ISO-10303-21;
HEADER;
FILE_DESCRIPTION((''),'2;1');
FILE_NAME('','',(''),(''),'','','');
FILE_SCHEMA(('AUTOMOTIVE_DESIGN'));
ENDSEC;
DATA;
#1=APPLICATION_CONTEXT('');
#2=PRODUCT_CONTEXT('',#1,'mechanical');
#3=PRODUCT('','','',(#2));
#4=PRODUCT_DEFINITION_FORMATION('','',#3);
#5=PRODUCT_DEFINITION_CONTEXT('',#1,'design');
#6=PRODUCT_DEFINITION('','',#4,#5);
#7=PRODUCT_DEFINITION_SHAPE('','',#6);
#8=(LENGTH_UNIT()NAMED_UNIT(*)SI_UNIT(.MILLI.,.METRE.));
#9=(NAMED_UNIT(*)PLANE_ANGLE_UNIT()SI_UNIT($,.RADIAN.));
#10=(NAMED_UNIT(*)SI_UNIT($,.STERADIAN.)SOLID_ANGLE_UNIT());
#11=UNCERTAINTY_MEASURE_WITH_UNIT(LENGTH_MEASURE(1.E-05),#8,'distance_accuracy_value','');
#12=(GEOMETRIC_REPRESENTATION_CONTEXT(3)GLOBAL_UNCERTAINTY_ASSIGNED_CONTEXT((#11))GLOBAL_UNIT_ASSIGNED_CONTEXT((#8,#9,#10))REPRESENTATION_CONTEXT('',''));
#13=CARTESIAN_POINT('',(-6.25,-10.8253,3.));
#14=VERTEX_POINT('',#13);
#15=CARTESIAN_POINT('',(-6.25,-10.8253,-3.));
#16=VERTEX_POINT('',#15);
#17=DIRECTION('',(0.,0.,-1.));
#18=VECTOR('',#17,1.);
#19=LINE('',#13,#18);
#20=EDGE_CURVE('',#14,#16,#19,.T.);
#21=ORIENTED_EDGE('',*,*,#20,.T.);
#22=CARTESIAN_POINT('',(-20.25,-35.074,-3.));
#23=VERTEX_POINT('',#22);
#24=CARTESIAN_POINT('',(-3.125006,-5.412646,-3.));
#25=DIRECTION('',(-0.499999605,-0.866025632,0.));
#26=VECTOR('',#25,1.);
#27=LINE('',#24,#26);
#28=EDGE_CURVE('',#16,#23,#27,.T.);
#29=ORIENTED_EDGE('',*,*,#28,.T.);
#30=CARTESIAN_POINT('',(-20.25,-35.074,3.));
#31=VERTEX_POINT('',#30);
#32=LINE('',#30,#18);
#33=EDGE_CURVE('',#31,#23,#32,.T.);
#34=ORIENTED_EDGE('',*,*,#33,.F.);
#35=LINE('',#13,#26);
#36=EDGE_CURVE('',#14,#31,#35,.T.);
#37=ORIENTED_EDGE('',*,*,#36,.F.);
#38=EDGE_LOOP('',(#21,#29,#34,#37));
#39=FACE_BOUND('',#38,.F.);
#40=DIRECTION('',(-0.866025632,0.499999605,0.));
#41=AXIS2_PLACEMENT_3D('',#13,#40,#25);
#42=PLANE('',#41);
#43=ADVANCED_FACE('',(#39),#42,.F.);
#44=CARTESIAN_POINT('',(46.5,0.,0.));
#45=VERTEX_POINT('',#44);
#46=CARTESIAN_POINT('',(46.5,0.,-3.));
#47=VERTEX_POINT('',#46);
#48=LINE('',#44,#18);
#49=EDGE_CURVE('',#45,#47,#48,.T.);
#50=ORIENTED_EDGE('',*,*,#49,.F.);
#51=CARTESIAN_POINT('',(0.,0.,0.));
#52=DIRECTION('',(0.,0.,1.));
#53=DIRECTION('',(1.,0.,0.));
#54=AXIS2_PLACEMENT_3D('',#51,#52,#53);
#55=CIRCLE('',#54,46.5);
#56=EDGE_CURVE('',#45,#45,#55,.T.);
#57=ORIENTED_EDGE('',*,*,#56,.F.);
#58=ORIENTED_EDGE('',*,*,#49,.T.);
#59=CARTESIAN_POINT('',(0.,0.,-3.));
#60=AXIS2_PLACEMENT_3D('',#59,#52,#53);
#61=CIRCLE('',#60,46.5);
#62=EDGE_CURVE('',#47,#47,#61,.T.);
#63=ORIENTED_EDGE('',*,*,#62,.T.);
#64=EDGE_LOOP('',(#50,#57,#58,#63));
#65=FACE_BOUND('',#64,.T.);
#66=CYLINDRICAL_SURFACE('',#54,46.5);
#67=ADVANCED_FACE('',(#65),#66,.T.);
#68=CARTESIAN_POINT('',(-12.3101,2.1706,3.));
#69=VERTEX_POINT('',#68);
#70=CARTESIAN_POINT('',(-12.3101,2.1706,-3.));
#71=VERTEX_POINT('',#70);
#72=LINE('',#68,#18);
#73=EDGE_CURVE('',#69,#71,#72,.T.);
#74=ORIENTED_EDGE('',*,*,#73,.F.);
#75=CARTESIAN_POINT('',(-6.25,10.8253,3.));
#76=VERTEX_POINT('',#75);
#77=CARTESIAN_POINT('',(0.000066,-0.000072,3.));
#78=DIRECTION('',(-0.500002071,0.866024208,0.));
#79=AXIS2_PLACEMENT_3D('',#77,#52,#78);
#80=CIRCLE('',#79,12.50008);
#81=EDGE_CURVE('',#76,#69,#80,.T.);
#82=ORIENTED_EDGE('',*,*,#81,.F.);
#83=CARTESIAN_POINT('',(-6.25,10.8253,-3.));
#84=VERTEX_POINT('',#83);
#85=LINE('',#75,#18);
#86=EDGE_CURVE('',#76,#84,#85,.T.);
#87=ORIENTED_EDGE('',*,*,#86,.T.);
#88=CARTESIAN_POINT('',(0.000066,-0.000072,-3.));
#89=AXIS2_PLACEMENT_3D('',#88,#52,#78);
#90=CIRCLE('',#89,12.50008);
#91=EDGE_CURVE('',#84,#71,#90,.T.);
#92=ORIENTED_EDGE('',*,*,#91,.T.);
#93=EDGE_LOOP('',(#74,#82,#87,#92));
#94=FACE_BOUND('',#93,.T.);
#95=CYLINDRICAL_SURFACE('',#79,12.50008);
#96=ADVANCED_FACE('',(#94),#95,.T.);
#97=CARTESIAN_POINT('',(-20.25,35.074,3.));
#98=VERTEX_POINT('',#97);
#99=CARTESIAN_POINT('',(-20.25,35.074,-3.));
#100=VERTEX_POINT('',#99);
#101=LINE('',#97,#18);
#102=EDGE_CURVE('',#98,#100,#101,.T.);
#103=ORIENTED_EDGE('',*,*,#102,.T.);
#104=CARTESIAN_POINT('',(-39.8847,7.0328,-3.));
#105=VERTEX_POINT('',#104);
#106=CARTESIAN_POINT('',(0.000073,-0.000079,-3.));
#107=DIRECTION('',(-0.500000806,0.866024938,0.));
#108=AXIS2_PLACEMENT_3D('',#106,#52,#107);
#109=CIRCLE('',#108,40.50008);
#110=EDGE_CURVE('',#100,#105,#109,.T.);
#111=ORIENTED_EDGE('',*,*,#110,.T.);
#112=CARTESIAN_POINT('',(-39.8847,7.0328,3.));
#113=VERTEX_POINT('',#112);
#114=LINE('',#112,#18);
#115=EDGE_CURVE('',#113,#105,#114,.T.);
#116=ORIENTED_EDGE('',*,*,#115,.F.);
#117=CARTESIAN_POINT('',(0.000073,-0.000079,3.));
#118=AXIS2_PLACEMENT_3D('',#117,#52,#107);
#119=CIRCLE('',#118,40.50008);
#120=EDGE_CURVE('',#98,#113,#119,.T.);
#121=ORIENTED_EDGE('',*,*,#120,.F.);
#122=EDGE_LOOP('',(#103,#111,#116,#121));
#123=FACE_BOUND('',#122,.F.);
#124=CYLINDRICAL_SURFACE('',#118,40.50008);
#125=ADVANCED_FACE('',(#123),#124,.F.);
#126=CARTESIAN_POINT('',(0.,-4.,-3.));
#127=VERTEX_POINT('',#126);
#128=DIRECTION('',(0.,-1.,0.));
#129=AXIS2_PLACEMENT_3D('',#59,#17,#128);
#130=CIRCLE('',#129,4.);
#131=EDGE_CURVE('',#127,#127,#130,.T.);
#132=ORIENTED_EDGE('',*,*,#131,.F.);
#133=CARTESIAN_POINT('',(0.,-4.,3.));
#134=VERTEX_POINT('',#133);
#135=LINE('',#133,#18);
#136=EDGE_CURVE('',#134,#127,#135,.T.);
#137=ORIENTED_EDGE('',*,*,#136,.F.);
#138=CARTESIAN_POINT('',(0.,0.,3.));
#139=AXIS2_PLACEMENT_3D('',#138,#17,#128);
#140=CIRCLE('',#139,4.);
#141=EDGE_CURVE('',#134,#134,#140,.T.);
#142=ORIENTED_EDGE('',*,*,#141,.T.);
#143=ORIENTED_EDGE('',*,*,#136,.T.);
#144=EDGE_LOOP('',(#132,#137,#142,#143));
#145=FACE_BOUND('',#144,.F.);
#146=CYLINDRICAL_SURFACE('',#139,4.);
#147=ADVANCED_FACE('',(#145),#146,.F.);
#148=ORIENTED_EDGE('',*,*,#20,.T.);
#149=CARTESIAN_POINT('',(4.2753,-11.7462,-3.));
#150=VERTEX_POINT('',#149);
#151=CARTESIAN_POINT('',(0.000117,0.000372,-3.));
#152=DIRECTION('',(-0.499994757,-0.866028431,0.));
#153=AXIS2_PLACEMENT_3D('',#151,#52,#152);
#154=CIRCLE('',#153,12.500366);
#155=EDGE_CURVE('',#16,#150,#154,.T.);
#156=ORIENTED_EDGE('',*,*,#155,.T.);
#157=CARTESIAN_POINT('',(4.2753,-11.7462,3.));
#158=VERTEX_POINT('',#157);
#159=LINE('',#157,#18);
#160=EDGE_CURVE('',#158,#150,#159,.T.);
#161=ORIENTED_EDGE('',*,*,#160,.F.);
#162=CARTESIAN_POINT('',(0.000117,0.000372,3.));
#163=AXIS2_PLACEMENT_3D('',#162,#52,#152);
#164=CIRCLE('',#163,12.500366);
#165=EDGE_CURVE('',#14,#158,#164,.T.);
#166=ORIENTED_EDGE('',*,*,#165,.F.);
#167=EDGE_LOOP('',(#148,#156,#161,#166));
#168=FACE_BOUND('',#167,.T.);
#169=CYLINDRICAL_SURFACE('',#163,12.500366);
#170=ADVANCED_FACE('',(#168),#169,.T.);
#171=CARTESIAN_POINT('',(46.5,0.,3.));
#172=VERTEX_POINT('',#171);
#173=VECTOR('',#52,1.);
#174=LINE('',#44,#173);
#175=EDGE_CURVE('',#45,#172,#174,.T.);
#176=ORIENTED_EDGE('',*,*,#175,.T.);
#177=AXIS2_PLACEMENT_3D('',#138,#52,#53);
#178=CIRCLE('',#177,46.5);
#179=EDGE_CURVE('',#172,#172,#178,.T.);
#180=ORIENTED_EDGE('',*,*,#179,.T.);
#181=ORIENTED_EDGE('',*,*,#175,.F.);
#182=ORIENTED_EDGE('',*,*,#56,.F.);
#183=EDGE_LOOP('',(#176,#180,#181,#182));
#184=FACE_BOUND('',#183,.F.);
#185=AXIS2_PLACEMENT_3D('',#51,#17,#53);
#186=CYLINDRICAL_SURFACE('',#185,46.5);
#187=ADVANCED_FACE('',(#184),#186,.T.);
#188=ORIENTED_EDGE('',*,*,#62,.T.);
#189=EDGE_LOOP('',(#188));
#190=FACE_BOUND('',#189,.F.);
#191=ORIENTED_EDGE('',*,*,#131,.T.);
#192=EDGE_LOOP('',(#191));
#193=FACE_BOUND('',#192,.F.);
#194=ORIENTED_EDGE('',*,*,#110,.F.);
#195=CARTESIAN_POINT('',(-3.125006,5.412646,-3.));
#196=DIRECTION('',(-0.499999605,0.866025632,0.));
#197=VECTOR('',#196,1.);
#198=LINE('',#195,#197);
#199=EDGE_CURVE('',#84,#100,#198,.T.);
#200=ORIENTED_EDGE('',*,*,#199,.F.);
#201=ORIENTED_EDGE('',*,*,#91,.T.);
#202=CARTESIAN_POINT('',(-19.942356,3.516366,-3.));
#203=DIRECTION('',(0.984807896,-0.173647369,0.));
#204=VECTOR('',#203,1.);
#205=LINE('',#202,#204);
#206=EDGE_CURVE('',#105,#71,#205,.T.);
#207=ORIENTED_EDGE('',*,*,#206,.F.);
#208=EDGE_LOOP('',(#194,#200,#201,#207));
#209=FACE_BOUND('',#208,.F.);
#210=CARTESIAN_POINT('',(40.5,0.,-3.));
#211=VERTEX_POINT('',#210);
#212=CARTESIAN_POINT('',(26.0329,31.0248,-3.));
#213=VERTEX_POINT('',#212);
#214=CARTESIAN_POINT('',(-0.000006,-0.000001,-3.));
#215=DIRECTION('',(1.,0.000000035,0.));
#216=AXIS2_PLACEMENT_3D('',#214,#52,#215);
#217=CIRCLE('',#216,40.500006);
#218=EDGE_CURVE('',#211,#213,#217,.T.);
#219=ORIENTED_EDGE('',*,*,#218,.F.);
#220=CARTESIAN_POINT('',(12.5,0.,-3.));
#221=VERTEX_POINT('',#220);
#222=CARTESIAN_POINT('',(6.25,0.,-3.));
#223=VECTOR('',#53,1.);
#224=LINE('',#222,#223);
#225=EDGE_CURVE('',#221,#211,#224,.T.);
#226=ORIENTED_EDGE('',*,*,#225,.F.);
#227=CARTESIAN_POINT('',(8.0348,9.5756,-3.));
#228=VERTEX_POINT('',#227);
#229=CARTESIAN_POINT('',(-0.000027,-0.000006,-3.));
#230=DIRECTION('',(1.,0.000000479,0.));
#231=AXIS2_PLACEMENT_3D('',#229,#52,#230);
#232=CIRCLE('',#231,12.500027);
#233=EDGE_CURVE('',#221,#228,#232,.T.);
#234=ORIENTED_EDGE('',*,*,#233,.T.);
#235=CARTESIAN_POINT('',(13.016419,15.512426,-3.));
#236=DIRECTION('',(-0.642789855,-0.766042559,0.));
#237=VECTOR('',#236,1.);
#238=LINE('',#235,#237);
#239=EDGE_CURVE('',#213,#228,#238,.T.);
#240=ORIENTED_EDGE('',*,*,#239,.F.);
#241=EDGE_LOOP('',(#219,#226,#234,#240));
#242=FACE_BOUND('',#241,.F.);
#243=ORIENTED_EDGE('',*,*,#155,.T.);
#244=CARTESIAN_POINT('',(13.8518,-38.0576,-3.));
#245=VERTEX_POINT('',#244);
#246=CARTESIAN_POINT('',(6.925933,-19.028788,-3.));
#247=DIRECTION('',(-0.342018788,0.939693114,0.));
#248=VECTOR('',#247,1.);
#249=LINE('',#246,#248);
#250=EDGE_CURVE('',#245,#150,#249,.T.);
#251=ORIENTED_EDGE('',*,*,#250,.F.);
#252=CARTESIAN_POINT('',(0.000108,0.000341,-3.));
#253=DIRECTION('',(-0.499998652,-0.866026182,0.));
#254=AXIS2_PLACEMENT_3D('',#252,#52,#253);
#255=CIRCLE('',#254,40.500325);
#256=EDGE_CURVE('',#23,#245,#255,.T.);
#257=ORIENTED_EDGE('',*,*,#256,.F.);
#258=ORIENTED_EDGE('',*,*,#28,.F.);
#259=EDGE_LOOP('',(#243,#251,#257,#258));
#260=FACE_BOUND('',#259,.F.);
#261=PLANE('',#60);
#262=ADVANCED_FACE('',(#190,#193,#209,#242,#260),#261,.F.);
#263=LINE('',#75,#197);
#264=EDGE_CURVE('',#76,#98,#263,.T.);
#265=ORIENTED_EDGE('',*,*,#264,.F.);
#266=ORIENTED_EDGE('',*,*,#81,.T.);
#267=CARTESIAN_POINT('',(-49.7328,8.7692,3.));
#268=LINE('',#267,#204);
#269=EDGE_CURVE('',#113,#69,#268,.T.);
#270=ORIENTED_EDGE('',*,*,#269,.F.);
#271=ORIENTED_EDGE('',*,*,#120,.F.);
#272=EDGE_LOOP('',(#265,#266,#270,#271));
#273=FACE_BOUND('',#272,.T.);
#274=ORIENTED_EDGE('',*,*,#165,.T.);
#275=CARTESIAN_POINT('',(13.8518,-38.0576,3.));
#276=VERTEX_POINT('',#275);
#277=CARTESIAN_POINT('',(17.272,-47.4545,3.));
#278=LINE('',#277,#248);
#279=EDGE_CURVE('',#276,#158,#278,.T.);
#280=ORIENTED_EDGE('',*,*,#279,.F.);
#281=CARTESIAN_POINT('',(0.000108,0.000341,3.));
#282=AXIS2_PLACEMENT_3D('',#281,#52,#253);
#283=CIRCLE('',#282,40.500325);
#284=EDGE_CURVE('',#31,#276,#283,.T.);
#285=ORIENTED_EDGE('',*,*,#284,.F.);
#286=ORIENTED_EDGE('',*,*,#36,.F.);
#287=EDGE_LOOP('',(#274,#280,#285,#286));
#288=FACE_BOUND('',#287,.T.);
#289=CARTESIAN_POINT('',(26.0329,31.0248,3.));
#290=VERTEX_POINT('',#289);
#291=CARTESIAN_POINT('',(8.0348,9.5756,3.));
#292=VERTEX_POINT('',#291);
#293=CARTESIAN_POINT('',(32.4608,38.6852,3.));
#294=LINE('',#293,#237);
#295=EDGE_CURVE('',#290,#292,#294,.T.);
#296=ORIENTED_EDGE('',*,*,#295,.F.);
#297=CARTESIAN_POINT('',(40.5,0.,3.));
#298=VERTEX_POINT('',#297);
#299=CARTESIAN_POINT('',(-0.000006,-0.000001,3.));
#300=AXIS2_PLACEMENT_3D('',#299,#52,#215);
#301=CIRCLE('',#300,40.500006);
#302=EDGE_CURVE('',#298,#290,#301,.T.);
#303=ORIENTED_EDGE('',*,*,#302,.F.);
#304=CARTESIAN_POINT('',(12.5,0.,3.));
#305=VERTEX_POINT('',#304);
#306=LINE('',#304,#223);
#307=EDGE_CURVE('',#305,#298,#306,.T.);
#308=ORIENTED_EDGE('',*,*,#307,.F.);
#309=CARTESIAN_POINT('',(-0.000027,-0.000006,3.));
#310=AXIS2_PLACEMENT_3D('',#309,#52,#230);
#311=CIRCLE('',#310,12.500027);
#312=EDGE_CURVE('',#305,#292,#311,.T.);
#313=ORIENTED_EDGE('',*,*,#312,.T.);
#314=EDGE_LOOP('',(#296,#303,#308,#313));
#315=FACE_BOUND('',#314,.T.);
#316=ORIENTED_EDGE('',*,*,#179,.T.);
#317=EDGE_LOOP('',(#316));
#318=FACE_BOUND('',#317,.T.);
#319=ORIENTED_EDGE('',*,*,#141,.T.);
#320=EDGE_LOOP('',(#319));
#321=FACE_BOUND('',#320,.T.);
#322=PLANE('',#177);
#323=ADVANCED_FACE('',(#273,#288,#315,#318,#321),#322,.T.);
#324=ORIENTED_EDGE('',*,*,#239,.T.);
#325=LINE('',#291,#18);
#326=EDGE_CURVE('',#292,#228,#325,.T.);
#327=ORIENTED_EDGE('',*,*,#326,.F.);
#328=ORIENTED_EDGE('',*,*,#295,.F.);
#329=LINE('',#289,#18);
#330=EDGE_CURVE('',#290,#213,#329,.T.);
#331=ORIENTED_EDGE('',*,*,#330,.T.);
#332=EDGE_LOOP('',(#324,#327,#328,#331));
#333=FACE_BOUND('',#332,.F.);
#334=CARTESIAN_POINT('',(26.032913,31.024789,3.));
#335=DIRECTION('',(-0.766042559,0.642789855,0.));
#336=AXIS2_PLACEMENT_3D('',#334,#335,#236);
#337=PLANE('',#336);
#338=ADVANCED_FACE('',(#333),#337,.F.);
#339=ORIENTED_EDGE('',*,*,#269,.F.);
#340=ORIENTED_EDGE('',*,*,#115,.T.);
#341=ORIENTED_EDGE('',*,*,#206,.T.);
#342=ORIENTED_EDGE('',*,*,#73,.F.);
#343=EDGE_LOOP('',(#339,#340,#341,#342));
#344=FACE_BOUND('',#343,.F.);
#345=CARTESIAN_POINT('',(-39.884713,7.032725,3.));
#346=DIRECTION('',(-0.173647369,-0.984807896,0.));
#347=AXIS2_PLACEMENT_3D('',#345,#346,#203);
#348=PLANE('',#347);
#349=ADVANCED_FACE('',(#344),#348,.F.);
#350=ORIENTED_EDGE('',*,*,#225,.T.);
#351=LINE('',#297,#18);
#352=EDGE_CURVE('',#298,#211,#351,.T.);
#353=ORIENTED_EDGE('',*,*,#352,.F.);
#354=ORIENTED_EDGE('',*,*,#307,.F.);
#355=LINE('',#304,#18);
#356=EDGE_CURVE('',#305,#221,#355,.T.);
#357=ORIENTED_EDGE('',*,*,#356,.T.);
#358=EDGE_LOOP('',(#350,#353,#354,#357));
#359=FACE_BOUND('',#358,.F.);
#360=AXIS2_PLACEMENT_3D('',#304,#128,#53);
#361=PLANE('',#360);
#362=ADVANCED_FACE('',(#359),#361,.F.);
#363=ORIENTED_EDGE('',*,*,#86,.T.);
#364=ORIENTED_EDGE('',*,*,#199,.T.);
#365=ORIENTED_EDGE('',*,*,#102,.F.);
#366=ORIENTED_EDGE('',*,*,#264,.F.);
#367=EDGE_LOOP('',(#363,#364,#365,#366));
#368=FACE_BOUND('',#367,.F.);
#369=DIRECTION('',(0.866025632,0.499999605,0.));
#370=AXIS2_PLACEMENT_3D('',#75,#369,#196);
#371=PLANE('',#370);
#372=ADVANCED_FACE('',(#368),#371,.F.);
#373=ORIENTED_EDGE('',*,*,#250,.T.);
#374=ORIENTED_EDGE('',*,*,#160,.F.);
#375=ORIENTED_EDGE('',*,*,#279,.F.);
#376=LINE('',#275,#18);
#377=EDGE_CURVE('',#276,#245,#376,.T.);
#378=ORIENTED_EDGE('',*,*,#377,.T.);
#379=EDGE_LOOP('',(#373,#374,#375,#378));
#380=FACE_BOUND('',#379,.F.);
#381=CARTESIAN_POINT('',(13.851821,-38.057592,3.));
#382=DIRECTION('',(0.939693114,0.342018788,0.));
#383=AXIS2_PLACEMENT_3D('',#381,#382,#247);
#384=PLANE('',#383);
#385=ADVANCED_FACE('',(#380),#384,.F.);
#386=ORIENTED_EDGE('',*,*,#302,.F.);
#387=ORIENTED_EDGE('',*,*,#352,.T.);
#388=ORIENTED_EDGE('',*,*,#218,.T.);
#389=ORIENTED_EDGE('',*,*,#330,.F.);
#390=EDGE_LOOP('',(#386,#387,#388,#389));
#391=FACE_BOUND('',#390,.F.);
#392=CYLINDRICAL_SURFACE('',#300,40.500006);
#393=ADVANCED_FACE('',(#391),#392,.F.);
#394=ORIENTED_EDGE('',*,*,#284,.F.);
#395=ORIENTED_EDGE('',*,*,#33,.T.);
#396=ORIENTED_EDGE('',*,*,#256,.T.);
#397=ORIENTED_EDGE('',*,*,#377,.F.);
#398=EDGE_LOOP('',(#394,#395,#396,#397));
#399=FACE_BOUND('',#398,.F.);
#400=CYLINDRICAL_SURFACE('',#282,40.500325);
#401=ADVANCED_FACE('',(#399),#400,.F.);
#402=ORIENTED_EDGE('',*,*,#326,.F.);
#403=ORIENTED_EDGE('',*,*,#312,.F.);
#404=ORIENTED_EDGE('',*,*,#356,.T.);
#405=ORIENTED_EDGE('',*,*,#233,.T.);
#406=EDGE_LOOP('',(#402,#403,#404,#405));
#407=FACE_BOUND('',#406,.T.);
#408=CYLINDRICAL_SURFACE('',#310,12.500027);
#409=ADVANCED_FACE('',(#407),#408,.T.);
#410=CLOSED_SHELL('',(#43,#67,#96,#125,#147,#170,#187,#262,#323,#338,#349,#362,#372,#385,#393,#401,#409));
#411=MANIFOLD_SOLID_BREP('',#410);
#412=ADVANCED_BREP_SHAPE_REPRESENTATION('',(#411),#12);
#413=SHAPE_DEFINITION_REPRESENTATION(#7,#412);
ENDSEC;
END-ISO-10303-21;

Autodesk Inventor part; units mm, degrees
ref_plane "YZ Plane" through (0, 0, 0) normal (1, 0, 0) x (0, 1, 0)
ref_plane "XZ Plane" through (0, 0, 0) normal (0, 1, 0) x (-1, 0, 0)
ref_plane "XY Plane" through (0, 0, 0) normal (0, 0, 1) x (1, 0, 0)
sketch "Sketch1" plane through (0, 0, 0) normal (0, 0, 1) x (1, 0, 0)
  circle A0 centre (0, 0) radius 46.5 projected
extrude "Extrusion1" add sketch "Sketch1" along normal mid plane 6
sketch "Sketch2" plane through (0, 0, 3) normal (0, 0, 1) x (1, 0, 0)
  circle A0 centre (0, 0) radius 46.5 projected
  circle A1 centre (0, 0) radius 4.5 projected
  arc A2 (17.272, -47.4545) -> (50.5, 0) centre (0, 0) ccw projected
  line L0 (17.272, -47.4545) -> (4.2753, -11.7462) projected
  arc A3 (-6.25, -10.8253) -> (4.2753, -11.7462) centre (0, 0) ccw projected
  line L1 (-6.25, -10.8253) -> (-25.25, -43.7343) projected
  arc A4 (-49.7328, 8.7692) -> (-25.25, -43.7343) centre (0, 0) ccw projected
  line L2 (-49.7328, 8.7692) -> (-12.3101, 2.1706) projected
  arc A5 (-6.25, 10.8253) -> (-12.3101, 2.1706) centre (0, 0) ccw projected
  line L3 (-6.25, 10.8253) -> (-25.25, 43.7343) projected
  arc A6 (32.4608, 38.6852) -> (-25.25, 43.7343) centre (0, 0) ccw projected
  line L4 (32.4608, 38.6852) -> (8.0348, 9.5756) projected
  arc A7 (12.5, 0) -> (8.0348, 9.5756) centre (0, 0) ccw projected
  line L5 (12.5, 0) -> (50.5, 0) projected
  circle A8 centre (0, 0) radius 40.5 construction
  arc A9 (40.5, 0) -> (26.0329, 31.0248) centre (0, 0) ccw
  arc A10 (-20.25, 35.074) -> (-39.8847, 7.0328) centre (0, 0) ccw
  arc A11 (-20.25, -35.074) -> (13.8518, -38.0576) centre (0, 0) ccw
  point P0 (-23.25, -40.2702)
  point P1 (15.9039, -43.6957)
  point P2 (-23.25, 40.2702)
  point P3 (-45.7936, 8.0746)
  point P4 (46.5, 0)
  point P5 (29.8896, 35.6211)
  dimension "d4" = 6
extrude "Extrusion3" cut sketch "Sketch2" against normal through all contours L5 A7 L4 A9 | A11 L1 A3 L0 | L3 A5 L2 A10
sketch "Sketch3" plane through (0, 0, 3) normal (0, 0, 1) x (1, 0, 0)
  circle A0 centre (0, 0) radius 46.5 projected
hole "Hole1" at (0, 0, 3) direction (0, 0, -1) diameter 8 end through all
properties part number "main_wheel"
